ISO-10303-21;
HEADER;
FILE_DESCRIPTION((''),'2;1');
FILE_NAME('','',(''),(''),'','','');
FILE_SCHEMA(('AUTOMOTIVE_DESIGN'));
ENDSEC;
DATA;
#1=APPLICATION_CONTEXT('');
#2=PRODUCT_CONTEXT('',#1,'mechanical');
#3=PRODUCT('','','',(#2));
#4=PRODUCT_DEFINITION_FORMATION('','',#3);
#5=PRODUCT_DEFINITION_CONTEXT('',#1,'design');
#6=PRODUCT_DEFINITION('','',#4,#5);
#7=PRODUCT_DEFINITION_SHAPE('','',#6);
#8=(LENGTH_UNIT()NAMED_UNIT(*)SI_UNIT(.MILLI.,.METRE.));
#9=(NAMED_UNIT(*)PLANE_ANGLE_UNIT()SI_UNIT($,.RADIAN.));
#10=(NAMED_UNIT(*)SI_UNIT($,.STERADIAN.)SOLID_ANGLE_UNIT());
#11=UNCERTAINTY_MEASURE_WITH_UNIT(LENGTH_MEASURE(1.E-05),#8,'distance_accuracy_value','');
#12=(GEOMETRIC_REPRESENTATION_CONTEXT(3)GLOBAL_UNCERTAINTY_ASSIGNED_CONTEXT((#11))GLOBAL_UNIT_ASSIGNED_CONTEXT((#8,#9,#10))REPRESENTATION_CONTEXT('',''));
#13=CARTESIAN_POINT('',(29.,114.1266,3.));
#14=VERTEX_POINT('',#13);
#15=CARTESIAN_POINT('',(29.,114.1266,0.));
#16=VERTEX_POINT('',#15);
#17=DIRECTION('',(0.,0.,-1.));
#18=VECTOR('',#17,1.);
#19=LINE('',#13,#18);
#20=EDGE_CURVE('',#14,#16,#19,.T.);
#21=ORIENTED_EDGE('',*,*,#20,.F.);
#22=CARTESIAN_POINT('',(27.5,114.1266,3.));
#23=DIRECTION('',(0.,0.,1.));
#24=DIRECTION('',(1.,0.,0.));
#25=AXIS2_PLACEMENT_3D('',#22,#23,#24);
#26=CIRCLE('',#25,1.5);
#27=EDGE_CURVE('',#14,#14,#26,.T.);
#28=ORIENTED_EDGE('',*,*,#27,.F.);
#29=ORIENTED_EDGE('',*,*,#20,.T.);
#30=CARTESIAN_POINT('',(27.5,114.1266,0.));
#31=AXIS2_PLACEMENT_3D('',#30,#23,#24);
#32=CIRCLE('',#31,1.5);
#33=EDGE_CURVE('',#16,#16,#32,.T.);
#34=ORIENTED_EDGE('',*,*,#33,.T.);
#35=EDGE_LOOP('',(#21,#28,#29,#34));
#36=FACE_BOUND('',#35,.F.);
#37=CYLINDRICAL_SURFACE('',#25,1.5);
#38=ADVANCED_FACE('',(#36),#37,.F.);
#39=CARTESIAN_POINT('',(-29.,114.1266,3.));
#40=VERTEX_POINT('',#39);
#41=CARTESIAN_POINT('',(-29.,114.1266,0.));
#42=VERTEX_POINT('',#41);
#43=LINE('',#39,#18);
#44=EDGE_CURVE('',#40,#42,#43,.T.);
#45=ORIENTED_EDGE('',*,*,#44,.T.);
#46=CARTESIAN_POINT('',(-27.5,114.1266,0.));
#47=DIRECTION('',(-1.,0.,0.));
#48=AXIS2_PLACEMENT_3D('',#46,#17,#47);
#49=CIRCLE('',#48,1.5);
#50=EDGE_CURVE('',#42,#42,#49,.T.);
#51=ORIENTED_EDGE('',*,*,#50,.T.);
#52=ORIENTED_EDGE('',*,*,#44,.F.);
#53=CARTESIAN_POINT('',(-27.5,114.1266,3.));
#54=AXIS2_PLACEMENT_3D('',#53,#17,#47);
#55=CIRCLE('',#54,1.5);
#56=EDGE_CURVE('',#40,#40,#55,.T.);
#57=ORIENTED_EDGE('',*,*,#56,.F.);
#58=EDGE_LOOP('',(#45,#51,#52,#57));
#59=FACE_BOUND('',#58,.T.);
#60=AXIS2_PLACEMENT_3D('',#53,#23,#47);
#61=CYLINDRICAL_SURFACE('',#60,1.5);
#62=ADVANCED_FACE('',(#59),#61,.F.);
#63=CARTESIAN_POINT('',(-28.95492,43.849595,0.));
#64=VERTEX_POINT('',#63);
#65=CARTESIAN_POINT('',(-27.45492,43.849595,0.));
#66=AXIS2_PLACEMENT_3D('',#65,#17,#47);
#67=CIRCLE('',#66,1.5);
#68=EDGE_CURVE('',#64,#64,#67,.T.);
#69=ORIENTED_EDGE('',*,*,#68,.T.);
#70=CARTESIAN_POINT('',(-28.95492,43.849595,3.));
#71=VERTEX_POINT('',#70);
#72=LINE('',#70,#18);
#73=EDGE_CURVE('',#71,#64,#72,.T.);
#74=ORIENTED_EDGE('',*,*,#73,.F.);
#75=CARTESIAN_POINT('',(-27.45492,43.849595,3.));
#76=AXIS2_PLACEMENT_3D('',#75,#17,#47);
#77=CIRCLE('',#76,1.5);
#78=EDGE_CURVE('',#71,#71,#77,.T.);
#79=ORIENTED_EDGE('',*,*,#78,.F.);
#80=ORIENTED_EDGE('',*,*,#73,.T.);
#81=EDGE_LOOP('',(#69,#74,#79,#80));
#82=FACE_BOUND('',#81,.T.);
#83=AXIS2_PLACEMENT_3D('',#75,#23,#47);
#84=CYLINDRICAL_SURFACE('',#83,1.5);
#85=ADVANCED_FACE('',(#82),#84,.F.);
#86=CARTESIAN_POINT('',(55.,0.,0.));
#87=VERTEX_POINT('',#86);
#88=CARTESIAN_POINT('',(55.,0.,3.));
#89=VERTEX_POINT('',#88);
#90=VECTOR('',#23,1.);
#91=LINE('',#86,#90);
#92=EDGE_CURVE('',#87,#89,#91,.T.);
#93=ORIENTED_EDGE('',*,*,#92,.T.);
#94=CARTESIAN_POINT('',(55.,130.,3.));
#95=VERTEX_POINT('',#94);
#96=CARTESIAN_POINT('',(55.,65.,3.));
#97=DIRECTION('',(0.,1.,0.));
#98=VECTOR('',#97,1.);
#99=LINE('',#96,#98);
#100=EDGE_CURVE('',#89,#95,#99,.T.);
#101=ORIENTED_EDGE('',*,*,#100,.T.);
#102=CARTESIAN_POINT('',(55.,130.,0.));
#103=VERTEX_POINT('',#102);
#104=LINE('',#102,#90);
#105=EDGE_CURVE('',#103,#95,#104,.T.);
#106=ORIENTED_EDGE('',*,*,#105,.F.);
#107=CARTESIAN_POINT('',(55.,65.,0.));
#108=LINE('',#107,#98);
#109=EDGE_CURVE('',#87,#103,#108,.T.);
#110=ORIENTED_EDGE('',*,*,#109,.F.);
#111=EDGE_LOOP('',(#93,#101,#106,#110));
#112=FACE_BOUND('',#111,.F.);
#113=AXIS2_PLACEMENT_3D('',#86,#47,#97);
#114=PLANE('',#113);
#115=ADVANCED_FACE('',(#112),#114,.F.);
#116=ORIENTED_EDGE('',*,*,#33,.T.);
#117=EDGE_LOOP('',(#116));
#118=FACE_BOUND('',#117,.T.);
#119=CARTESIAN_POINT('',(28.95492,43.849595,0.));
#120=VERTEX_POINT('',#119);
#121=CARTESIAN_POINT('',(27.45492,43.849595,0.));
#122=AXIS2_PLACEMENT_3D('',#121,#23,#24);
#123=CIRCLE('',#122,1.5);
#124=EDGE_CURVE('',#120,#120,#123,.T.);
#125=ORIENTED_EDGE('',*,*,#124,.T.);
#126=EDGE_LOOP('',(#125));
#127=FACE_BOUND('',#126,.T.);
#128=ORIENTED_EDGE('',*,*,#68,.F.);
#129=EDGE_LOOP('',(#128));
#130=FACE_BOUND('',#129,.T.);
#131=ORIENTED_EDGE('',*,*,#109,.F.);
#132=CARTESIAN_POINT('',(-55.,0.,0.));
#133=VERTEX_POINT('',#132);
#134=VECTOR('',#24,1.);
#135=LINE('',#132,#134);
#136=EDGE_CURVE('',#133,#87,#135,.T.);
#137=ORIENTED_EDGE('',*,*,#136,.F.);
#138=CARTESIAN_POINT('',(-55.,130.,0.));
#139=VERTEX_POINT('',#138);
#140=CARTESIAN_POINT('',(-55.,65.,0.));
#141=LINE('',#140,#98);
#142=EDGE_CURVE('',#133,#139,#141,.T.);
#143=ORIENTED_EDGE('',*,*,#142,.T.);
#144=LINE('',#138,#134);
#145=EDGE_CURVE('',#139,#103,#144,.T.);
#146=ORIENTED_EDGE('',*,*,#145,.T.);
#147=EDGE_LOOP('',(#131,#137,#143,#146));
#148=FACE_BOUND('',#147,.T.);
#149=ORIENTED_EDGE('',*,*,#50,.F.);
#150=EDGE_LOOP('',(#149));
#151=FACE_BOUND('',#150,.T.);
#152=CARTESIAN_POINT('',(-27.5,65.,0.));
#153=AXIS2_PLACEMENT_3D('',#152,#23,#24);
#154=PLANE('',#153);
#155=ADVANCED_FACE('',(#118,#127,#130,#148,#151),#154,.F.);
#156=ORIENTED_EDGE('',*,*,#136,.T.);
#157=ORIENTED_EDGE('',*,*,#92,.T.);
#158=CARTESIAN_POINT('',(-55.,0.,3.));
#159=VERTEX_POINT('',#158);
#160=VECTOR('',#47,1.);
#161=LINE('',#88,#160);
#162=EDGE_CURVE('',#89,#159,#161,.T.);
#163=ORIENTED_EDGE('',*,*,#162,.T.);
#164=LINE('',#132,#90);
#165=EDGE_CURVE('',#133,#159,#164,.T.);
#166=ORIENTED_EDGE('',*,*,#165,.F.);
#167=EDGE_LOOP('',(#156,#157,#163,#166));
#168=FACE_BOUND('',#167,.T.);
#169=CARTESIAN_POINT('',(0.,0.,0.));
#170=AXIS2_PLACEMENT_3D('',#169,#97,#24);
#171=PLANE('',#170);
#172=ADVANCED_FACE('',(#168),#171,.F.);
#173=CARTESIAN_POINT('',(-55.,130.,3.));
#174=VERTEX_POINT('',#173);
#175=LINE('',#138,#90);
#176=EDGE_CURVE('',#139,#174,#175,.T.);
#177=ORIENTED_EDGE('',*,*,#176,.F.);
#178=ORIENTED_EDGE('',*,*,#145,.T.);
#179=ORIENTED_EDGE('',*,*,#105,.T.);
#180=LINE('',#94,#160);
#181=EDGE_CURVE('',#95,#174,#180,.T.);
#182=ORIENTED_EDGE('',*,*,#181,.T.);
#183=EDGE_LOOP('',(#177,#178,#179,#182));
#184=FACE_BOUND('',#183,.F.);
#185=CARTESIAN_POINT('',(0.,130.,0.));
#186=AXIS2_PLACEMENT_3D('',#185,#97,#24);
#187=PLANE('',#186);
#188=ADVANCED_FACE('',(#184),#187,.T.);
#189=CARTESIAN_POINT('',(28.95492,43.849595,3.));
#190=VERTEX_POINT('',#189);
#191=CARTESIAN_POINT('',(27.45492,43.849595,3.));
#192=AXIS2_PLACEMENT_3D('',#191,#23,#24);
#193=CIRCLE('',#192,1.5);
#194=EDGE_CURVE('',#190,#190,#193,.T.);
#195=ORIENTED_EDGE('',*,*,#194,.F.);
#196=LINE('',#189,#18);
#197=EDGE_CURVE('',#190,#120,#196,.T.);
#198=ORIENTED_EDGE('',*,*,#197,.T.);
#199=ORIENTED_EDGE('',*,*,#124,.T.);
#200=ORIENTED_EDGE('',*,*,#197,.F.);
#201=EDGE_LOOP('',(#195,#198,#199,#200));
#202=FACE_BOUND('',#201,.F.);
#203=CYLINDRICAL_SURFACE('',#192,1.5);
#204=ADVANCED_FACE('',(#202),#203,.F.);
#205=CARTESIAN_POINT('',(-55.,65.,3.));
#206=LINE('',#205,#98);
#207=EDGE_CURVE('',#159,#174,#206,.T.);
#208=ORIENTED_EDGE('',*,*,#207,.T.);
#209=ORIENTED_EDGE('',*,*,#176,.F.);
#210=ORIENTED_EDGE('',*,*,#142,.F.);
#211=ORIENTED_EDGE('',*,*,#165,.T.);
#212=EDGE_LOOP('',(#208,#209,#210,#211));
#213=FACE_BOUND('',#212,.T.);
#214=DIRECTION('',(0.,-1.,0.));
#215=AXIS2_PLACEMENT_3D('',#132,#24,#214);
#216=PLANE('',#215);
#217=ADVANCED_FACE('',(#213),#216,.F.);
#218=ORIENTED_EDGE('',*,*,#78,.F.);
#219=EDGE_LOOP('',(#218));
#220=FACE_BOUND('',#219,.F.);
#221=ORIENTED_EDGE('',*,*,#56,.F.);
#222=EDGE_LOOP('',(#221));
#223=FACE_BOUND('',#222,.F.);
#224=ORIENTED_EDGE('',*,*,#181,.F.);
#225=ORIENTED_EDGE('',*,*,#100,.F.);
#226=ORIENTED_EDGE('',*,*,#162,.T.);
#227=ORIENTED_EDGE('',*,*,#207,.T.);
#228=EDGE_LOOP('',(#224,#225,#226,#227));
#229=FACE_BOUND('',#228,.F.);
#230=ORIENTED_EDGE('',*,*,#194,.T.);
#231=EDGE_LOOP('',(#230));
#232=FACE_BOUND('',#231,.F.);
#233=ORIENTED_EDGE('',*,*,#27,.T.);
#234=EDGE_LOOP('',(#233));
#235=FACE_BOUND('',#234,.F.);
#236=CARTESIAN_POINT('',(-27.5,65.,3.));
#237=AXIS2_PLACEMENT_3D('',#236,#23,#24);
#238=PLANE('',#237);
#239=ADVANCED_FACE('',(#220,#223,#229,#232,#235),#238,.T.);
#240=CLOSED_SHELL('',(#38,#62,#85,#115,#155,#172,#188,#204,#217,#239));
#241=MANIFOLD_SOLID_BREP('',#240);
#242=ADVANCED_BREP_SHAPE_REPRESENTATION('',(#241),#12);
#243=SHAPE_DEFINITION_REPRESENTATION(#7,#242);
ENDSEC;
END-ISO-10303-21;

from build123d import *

# Parameters (mm, degrees)
F0_W     = 55
F0_H     = 130
F1_DEPTH = 3
F3_R     = 1.5
F4_DEPTH = 25
F5_R     = 1.5
F6_DEPTH = 25


with BuildPart() as f1:
    # F0 (on Top) → F1 (new body)
    with BuildSketch(Plane.XY):
        with Locations((27.5, 65)):
            Rectangle(F0_W, F0_H)
    extrude(amount=F1_DEPTH)

    # F3 (on face) → F4 (cut)
    with BuildSketch(Plane.XY.offset(3)):
        with Locations((27.4549201131, 43.8495948911)):
            Circle(F3_R)
    extrude(amount=-F4_DEPTH, mode=Mode.SUBTRACT)

    # F5 (on face) → F6 (cut)
    with BuildSketch(Plane.XY.offset(3)):
        with Locations((27.5, 114.1266003251)):
            Circle(F5_R)
    extrude(amount=-F6_DEPTH, mode=Mode.SUBTRACT)

    # F8: F1 across plane


with BuildPart() as f1_1:
    add(f1.part)
    add(f1.part.mirror(Plane.YZ))


solid = f1_1.part
